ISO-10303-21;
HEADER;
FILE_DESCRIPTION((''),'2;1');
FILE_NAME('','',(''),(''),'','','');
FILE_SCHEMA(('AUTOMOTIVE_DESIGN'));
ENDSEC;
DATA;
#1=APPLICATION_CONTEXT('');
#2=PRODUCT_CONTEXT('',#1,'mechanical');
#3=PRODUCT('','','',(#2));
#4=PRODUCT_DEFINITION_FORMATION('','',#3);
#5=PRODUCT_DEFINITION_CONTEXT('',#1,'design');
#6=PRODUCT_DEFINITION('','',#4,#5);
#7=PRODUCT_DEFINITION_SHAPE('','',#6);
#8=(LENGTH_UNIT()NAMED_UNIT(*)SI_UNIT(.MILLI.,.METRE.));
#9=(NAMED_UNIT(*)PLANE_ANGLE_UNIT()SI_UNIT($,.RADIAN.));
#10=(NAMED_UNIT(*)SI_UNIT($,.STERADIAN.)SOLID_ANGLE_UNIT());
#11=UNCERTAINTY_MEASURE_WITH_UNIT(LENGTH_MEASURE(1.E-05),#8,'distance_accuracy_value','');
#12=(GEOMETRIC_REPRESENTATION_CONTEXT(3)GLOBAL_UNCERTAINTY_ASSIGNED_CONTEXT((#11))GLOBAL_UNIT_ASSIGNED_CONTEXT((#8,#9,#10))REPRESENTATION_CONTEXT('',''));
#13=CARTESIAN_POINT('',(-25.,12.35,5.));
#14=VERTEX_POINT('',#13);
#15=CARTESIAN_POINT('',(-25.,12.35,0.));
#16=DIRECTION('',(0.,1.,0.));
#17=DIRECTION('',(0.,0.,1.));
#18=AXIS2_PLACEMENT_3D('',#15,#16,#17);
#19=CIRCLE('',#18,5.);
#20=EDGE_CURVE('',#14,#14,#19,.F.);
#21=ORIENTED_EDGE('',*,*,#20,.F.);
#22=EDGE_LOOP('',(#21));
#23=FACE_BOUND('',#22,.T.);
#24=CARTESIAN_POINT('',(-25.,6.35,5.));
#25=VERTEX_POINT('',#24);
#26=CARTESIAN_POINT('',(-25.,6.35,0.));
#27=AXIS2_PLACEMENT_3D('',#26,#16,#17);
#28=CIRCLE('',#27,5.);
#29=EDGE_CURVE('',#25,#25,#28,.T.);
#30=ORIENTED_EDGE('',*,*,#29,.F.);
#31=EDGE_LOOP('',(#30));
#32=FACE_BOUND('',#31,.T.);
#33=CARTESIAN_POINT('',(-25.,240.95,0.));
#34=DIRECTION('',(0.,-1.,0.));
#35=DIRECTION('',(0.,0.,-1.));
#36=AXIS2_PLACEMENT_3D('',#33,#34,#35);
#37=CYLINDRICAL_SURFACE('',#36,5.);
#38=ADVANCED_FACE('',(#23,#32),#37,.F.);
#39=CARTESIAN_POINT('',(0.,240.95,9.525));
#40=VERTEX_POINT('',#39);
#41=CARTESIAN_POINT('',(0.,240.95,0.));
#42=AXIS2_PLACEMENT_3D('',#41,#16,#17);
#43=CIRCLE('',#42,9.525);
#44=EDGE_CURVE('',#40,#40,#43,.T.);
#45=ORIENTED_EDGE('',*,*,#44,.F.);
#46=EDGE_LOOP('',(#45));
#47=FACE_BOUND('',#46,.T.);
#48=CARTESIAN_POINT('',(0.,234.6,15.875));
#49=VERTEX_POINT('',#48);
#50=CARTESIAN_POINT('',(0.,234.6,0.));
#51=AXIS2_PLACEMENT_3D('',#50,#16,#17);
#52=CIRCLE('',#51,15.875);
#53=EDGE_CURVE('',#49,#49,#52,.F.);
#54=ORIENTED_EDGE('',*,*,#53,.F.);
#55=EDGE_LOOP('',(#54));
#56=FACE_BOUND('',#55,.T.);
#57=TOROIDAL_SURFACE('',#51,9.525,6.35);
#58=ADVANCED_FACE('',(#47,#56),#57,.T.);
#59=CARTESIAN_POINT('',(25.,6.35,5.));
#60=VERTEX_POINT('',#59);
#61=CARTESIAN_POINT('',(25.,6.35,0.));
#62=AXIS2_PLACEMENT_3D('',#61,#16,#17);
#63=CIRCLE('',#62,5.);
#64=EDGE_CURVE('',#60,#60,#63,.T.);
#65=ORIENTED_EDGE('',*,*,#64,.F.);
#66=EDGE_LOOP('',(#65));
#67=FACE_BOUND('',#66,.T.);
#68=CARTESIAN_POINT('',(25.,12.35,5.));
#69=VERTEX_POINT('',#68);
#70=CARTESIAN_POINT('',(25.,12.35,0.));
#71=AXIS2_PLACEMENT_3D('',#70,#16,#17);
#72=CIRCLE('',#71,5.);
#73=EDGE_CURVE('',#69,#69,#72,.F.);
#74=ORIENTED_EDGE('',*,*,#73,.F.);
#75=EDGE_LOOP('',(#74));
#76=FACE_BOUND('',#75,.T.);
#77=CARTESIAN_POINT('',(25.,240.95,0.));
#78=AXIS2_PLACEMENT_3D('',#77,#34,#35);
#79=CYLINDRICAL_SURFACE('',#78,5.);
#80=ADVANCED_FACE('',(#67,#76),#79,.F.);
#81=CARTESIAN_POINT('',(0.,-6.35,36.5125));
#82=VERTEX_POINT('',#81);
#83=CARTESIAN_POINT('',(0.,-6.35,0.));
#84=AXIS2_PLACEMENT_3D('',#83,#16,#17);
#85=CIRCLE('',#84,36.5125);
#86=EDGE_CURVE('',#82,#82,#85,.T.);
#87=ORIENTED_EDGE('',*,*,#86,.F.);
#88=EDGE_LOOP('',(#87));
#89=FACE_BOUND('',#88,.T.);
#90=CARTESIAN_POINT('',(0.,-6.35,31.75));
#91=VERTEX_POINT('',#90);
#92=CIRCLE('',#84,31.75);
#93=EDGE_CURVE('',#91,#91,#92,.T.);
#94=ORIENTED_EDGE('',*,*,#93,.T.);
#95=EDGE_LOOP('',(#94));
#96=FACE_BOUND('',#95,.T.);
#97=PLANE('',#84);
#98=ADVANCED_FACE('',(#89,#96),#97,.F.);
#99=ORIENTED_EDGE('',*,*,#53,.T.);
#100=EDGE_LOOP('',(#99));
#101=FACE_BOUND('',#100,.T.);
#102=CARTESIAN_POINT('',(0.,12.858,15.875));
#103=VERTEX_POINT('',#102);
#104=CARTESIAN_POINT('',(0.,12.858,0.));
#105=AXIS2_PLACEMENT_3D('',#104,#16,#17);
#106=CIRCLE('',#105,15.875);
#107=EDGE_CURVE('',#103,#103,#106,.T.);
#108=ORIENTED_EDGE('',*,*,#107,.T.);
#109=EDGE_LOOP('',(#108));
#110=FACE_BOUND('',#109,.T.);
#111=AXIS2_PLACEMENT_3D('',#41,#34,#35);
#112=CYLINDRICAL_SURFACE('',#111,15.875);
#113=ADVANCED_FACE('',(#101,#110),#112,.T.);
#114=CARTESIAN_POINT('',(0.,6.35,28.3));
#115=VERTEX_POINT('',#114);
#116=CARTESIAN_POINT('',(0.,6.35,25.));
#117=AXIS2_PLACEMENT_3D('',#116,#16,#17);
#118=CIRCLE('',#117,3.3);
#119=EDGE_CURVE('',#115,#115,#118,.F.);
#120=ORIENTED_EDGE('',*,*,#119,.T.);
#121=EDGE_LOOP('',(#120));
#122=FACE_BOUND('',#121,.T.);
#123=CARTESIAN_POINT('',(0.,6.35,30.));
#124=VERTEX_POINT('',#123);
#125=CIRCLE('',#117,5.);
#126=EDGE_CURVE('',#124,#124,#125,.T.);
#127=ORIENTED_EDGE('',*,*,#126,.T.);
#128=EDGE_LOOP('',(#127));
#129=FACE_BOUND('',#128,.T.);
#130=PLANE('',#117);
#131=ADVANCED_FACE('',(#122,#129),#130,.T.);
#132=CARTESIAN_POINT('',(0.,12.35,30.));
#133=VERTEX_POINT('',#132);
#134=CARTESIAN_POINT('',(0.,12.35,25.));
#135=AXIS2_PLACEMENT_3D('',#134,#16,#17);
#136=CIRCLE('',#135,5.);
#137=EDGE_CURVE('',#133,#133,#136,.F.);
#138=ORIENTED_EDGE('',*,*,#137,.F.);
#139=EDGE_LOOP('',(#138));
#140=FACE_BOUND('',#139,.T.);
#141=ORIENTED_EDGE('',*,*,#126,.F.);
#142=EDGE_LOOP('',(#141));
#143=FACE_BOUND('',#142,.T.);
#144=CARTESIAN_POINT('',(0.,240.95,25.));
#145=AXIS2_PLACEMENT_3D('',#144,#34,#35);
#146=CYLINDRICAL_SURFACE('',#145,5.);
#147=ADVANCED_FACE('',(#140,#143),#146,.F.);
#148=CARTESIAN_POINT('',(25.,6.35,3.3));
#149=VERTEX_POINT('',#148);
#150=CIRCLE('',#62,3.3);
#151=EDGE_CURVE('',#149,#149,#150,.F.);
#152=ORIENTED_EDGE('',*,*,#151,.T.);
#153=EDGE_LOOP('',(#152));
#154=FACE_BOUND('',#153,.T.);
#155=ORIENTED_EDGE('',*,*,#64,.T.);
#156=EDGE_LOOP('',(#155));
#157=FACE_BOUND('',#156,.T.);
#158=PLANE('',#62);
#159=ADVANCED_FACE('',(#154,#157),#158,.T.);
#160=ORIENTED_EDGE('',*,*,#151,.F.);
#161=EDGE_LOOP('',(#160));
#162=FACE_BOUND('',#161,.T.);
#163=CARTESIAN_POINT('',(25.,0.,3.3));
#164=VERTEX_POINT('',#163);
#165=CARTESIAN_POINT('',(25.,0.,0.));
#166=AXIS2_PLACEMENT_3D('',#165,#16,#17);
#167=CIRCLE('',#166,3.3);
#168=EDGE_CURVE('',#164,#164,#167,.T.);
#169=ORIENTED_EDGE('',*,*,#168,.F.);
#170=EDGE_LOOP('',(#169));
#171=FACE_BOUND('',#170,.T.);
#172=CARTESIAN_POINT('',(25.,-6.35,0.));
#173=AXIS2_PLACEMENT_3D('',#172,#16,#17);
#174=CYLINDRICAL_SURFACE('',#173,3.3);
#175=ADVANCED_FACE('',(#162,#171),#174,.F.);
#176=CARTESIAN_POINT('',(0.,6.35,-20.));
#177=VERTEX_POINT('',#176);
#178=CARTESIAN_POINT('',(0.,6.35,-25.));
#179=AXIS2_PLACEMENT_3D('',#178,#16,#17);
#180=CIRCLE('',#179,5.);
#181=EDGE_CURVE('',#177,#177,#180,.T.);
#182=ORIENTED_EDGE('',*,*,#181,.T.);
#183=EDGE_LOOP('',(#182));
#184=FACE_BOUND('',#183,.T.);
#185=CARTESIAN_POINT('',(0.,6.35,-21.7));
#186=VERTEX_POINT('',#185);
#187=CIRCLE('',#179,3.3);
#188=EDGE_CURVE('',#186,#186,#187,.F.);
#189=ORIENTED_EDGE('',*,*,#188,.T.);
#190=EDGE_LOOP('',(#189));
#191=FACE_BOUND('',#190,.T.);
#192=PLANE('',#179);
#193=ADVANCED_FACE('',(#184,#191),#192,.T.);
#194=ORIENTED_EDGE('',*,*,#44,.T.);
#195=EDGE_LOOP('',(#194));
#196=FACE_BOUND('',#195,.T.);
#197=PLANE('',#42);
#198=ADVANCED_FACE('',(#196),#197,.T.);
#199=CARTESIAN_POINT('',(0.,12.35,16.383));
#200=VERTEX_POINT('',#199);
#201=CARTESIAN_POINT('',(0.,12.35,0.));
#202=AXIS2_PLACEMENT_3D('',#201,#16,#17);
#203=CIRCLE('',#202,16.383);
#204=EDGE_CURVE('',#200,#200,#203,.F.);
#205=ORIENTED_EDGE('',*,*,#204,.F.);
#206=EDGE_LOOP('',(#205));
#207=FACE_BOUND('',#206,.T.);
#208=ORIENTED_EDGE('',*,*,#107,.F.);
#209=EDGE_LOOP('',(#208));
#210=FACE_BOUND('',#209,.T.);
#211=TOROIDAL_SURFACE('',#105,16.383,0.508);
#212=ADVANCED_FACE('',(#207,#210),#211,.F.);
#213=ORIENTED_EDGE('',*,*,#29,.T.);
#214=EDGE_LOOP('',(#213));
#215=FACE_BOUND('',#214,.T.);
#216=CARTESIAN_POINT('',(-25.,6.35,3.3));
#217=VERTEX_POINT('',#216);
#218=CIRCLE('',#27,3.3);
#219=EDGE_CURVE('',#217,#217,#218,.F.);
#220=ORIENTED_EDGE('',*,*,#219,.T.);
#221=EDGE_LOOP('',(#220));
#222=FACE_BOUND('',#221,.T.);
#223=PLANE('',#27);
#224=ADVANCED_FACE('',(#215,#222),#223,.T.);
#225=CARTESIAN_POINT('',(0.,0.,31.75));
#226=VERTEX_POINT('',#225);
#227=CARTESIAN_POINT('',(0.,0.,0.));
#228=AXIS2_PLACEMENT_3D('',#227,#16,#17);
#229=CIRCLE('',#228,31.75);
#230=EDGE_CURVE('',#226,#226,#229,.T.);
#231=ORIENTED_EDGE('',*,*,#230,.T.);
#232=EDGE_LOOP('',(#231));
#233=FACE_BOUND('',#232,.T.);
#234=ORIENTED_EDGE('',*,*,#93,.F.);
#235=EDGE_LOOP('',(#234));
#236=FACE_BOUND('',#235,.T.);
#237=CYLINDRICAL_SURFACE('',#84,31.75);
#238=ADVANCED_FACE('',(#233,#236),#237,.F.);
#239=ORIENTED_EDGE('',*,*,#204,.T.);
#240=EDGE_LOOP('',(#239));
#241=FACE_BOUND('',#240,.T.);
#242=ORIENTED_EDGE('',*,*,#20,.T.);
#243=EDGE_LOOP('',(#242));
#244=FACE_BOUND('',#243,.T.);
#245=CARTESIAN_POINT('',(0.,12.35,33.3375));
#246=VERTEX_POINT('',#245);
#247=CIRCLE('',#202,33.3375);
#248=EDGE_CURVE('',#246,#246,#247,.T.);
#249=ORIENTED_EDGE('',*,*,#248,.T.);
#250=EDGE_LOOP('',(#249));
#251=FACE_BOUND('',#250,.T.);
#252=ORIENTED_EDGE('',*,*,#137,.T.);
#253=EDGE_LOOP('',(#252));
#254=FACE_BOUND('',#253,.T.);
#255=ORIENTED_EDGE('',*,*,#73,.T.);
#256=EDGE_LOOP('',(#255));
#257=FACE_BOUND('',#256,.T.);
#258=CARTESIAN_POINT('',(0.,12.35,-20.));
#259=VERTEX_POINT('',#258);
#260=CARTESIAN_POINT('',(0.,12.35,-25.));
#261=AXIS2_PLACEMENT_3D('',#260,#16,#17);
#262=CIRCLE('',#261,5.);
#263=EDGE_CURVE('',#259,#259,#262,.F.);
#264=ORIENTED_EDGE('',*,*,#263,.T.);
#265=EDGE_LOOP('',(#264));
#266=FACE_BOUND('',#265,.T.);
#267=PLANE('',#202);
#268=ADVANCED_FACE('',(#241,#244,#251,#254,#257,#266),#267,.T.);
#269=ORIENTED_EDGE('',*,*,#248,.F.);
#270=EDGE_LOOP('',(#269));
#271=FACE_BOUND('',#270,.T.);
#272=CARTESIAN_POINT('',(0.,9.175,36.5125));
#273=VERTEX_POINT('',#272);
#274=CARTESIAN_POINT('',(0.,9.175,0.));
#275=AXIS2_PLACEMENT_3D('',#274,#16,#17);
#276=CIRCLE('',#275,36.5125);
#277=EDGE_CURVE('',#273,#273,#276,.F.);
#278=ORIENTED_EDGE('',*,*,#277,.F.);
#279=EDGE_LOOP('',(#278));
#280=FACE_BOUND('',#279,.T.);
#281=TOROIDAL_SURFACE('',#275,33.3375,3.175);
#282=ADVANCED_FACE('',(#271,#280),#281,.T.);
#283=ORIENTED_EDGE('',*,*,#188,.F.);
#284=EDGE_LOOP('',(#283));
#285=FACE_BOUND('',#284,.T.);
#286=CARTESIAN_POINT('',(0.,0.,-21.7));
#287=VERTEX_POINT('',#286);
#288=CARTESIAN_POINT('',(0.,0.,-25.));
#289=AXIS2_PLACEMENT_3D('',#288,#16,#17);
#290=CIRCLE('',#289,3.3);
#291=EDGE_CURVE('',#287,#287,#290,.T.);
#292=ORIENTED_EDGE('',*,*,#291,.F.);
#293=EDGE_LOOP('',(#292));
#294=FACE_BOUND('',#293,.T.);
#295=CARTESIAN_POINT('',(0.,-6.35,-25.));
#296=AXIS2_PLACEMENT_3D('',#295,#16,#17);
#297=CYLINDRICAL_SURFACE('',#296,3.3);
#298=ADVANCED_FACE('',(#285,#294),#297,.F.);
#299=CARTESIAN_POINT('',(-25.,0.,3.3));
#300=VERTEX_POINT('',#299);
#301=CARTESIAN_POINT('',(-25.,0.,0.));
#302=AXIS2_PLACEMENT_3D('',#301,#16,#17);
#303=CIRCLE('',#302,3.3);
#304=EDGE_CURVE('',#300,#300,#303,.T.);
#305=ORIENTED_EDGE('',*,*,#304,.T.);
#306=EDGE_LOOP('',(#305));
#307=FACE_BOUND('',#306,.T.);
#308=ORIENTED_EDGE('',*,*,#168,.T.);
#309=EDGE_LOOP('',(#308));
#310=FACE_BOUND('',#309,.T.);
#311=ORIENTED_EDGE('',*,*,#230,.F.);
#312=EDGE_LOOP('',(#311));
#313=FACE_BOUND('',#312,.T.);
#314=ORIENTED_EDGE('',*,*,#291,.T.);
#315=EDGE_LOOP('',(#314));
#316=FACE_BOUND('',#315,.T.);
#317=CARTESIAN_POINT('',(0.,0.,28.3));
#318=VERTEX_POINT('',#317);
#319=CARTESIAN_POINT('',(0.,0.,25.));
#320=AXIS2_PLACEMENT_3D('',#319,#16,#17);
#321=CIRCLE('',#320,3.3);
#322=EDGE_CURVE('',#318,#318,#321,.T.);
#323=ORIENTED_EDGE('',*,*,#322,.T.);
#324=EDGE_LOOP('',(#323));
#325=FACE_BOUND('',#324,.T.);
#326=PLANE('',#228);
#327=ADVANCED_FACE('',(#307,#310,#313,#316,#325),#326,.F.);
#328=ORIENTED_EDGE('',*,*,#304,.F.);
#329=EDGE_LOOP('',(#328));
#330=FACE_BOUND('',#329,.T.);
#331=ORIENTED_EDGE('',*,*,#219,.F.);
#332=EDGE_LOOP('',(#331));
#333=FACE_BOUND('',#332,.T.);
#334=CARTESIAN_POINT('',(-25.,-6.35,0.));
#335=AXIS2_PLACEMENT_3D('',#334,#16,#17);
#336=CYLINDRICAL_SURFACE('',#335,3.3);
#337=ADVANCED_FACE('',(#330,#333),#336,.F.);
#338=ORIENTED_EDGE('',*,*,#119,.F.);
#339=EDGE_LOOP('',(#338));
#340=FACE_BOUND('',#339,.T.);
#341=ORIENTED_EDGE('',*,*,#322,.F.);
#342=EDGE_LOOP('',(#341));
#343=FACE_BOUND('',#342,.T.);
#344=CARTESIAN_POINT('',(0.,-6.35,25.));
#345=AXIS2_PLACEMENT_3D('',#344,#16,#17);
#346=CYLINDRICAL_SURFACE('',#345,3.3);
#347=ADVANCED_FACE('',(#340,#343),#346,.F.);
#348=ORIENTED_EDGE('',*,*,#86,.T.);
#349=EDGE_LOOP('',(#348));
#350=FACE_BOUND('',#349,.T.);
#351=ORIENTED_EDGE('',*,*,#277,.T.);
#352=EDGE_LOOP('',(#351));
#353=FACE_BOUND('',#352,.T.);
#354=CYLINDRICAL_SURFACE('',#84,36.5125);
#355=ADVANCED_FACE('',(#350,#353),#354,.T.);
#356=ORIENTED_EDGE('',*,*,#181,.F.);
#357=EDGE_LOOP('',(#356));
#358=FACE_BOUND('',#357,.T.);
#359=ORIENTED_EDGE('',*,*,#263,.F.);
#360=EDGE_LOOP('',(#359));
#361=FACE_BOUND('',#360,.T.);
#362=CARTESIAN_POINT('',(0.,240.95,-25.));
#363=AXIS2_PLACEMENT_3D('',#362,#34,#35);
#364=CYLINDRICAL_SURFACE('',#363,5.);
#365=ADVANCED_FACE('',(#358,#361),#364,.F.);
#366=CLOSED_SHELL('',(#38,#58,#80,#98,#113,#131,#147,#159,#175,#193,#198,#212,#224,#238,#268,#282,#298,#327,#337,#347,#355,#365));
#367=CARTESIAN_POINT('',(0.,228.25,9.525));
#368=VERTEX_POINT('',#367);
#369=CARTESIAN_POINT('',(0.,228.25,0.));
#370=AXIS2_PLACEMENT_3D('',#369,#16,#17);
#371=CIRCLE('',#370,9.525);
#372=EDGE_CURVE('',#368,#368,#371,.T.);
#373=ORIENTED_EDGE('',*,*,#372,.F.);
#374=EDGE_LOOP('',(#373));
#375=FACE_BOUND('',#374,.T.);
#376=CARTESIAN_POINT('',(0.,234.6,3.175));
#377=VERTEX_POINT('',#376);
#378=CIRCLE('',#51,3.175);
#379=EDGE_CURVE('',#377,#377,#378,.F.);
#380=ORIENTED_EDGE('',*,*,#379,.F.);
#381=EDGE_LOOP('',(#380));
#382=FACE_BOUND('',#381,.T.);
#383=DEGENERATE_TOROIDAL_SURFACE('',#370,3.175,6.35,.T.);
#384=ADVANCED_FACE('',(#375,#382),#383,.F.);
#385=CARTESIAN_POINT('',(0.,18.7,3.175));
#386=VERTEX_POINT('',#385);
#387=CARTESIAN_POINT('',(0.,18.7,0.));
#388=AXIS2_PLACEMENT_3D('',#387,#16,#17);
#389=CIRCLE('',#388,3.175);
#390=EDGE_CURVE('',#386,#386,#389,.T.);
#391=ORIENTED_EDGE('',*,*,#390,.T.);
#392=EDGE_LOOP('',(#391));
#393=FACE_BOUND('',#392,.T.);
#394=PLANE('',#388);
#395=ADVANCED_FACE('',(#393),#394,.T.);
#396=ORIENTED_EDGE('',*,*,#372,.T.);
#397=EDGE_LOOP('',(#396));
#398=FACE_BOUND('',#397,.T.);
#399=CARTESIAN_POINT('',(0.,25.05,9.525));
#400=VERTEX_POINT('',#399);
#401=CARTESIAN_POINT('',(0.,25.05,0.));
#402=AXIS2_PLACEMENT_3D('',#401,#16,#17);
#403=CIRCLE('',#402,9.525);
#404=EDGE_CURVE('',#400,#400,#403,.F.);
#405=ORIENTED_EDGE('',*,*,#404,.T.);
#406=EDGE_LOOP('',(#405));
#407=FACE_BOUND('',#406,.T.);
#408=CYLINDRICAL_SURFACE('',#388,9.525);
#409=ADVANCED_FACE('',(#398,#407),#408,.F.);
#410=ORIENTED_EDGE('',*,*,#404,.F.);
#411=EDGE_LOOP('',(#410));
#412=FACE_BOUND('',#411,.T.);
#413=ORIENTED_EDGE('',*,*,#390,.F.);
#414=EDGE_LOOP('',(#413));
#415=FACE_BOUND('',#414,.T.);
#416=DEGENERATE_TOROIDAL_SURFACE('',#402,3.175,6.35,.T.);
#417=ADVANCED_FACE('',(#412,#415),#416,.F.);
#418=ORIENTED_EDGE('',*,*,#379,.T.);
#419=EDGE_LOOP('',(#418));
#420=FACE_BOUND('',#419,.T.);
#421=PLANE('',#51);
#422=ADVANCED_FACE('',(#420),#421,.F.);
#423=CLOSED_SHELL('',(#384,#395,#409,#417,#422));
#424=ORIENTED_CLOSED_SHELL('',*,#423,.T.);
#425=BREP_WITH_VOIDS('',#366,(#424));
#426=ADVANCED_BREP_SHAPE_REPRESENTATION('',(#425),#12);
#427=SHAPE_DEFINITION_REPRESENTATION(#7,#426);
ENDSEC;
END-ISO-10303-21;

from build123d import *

# Parameters (mm, degrees)
SKETCH1_R               = 36.5125
SKETCH1_R_2             = 31.75
BOSS_EXTRUDE1_DEPTH     = 6.35
SKETCH1_2_R             = 36.5125
BOSS_EXTRUDE2_DEPTH     = 12.35
SKETCH2_R               = 3.3
CUT_EXTRUDE1_DEPTH      = 1
CUT_EXTRUDE1_DEPTH_BACK = 19.7
SKETCH3_R               = 15.875
BOSS_EXTRUDE3_DEPTH     = 228.6
SKETCH4_R               = 5
CUT_EXTRUDE2_DEPTH      = 229.6
CUT_EXTRUDE2_DEPTH_BACK = 6
FILLET2_R               = 0.508
FILLET3_R               = 3.175
SKETCH5_R               = 9.525
CUT_EXTRUDE3_DEPTH      = 222.25
FILLET4_R               = 6.35
SKETCH6_R               = 15.875
BOSS_EXTRUDE4_DEPTH     = 6.35
FILLET5_R               = 6.35


with BuildPart() as part:
    # Sketch1 → Boss-Extrude1 (new body)
    with BuildSketch(Plane(origin=(0, 0, 0), x_dir=(1, 0, 0), z_dir=(0, 1, 0))):
        Circle(SKETCH1_R)
        Circle(SKETCH1_R_2, mode=Mode.SUBTRACT)
    extrude(amount=-BOSS_EXTRUDE1_DEPTH)

    # Sketch1<2> → Boss-Extrude2 (add)
    with BuildSketch(Plane(origin=(0, 0, 0), x_dir=(1, 0, 0), z_dir=(0, 1, 0))):
        Circle(SKETCH1_2_R)
    extrude(amount=BOSS_EXTRUDE2_DEPTH)

    # Sketch2 → Cut-Extrude1 (cut, two sides)
    with BuildSketch(Plane(origin=(0, 12.35, 0), x_dir=(1, 0, 0), z_dir=(0, 1, 0))) as cut_extrude1_sk:
        with Locations((0, 25)):
            Circle(SKETCH2_R)
        with Locations((25, 0)):
            Circle(SKETCH2_R)
        with Locations((0, -25)):
            Circle(SKETCH2_R)
        with Locations((-25, 0)):
            Circle(SKETCH2_R)
    extrude(amount=CUT_EXTRUDE1_DEPTH, mode=Mode.SUBTRACT)
    extrude(cut_extrude1_sk.sketch, amount=-CUT_EXTRUDE1_DEPTH_BACK, mode=Mode.SUBTRACT)

    # Sketch3 → Boss-Extrude3 (add)
    with BuildSketch(Plane(origin=(0, 12.35, 0), x_dir=(1, 0, 0), z_dir=(0, 1, 0))):
        Circle(SKETCH3_R)
    extrude(amount=BOSS_EXTRUDE3_DEPTH)

    # Sketch4 → Cut-Extrude2 (cut, two sides)
    with BuildSketch(Plane(origin=(0, 12.35, 0), x_dir=(1, 0, 0), z_dir=(0, 1, 0))) as cut_extrude2_sk:
        with Locations((-25, 0)):
            Circle(SKETCH4_R)
        with Locations((0, 25)):
            Circle(SKETCH4_R)
        with Locations((25, 0)):
            Circle(SKETCH4_R)
        with Locations((0, -25)):
            Circle(SKETCH4_R)
    extrude(amount=CUT_EXTRUDE2_DEPTH, mode=Mode.SUBTRACT)
    extrude(cut_extrude2_sk.sketch, amount=-CUT_EXTRUDE2_DEPTH_BACK, mode=Mode.SUBTRACT)

    # Fillet2
    fillet2_edges = [part.edges().sort_by_distance(p)[0] for p in [
        (-15.875, 12.35, 0),
    ]]
    fillet(fillet2_edges, radius=FILLET2_R)

    # Fillet3
    fillet3_edges = [part.edges().sort_by_distance(p)[0] for p in [
        (-36.5125, 12.35, 0),
    ]]
    fillet(fillet3_edges, radius=FILLET3_R)

    # Sketch5 → Cut-Extrude3 (cut)
    with BuildSketch(Plane(origin=(0, 240.95, 0), x_dir=(1, 0, 0), z_dir=(0, 1, 0))):
        Circle(SKETCH5_R)
    extrude(amount=-CUT_EXTRUDE3_DEPTH, mode=Mode.SUBTRACT)

    # Fillet4
    fillet4_edges = [part.edges().sort_by_distance(p)[0] for p in [
        (-9.525, 18.7, 0),
    ]]
    fillet(fillet4_edges, radius=FILLET4_R)

    # Sketch6 → Boss-Extrude4 (add)
    with BuildSketch(Plane(origin=(0, 240.95, 0), x_dir=(1, 0, 0), z_dir=(0, 1, 0))):
        Circle(SKETCH6_R)
    extrude(amount=-BOSS_EXTRUDE4_DEPTH)

    # Fillet5
    fillet5_edges = [part.edges().sort_by_distance(p)[0] for p in [
        (-15.875, 240.95, 0),
        (-9.525, 234.6, 0),
    ]]
    fillet(fillet5_edges, radius=FILLET5_R)


solid = part.part
